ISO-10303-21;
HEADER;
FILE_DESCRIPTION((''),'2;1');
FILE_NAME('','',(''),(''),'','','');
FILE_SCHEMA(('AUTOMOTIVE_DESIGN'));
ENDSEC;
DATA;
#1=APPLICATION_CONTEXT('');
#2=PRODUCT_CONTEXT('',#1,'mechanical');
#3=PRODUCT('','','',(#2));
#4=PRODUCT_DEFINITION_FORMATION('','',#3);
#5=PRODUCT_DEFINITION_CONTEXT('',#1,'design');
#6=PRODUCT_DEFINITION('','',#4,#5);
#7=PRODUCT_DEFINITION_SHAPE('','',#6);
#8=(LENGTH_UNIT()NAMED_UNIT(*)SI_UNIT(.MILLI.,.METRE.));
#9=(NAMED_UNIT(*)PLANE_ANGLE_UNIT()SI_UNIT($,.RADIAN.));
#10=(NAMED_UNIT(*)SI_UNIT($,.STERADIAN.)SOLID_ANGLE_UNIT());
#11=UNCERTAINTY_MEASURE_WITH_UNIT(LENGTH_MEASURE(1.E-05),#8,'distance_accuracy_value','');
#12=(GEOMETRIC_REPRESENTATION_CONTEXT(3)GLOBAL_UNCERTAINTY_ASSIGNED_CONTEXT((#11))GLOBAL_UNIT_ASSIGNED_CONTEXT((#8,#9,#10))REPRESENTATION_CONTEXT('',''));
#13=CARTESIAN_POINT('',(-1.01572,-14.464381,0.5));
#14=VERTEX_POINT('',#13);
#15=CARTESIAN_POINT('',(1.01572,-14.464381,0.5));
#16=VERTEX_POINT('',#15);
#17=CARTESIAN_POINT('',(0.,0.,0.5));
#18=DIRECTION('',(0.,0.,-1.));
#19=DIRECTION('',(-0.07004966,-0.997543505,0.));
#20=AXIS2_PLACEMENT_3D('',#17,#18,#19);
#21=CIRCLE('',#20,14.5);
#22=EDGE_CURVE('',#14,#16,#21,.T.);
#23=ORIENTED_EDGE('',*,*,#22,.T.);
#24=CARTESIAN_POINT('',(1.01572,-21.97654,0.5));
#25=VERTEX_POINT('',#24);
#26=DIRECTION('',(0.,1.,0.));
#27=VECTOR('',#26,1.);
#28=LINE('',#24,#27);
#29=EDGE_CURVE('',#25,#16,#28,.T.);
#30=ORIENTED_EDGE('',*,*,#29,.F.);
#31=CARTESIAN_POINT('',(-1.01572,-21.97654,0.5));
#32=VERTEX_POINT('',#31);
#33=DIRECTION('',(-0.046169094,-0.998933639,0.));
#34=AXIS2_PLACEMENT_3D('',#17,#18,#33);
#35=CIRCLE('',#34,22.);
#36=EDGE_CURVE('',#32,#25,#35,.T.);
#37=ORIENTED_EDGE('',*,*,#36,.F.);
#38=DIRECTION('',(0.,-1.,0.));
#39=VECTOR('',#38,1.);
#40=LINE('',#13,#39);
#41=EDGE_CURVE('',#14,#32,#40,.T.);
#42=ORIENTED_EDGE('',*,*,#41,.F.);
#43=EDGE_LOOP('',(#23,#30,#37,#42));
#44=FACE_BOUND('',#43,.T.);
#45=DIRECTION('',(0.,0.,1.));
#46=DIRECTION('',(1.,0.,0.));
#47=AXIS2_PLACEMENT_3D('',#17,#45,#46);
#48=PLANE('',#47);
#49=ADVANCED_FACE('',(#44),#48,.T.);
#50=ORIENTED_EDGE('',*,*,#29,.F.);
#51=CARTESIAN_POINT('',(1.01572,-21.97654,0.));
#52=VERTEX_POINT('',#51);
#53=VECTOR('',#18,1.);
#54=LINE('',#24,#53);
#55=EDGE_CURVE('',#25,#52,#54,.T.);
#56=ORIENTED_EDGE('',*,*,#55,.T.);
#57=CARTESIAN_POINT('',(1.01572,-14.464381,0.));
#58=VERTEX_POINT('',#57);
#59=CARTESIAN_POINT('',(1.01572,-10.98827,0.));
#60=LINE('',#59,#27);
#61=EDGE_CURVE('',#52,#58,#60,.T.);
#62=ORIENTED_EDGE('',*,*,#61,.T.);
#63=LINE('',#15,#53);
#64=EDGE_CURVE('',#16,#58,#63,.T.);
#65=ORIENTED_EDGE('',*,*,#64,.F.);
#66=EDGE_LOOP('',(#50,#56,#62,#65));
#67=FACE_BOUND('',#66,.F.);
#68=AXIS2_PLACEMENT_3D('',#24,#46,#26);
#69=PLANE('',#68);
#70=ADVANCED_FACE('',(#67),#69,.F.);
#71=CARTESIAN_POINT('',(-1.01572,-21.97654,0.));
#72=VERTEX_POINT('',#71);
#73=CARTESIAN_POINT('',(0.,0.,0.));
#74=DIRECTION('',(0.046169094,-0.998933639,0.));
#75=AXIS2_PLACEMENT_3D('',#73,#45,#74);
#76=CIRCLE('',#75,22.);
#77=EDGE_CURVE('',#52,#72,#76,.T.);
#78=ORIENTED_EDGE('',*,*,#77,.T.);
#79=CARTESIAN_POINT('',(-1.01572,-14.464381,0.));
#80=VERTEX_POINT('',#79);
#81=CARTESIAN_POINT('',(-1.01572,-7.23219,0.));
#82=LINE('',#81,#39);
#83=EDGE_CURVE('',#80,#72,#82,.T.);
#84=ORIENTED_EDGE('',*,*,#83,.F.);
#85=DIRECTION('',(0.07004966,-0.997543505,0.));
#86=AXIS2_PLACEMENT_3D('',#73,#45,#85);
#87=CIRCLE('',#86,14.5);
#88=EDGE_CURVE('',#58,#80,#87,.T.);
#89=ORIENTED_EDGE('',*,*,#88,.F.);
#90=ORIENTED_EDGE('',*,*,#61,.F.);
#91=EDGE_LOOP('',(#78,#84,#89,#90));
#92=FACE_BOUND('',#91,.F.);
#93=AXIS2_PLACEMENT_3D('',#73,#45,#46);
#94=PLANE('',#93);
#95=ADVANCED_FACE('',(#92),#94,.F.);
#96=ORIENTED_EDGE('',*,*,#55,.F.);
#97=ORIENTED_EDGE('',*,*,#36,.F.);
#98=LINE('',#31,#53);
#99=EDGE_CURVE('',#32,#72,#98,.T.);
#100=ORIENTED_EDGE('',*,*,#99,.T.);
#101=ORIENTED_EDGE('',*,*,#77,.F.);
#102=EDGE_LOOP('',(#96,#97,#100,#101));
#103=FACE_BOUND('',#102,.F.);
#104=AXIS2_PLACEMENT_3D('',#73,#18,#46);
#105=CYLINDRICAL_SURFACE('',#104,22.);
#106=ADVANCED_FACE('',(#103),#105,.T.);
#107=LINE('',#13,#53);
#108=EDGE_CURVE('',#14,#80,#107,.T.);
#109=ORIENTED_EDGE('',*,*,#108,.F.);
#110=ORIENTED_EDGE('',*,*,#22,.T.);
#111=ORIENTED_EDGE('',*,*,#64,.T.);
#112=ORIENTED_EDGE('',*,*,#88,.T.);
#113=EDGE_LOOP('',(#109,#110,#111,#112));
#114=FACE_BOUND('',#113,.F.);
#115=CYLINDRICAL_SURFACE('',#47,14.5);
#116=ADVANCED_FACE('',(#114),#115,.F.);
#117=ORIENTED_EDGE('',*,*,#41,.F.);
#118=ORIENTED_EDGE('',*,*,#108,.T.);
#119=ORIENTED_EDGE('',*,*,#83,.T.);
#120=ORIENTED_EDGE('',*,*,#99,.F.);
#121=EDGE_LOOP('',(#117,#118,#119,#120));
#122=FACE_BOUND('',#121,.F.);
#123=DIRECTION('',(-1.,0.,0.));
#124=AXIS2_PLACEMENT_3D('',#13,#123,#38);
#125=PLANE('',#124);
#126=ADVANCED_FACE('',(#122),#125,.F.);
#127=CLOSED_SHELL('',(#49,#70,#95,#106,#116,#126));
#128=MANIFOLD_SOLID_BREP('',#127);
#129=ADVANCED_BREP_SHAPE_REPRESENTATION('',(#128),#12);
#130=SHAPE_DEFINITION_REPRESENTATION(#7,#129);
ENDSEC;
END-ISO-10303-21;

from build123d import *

# Parameters (mm, degrees)
F0_R     = 22
F1_DEPTH = 0.5
F2_R     = 14.5
F3_DEPTH = 25
F5_DEPTH = 25


with BuildPart() as f1:
    # F0 (on Top) → F1 (new body)
    with BuildSketch(Plane.XY):
        Circle(F0_R)
    extrude(amount=F1_DEPTH)

    # F2 (on face) → F3 (cut)
    with BuildSketch(Plane.XY.offset(0.5)):
        Circle(F2_R)
    extrude(amount=-F3_DEPTH, mode=Mode.SUBTRACT)

    # F4 (on face) → F5 (cut)
    with BuildSketch(Plane.XY.offset(0.5)):
        with BuildLine():
            ThreePointArc((-1.0157200741, -21.9765400537), (0, -22), (1.0157200741, -21.9765400537))
            Line((1.0157200741, -21.9765400537), (1.0157200741, -14.4643808278))
            ThreePointArc((1.0157200741, -14.4643808278), (0, -14.5), (-1.0157200741, -14.4643808278))
            Line((-1.0157200741, -14.4643808278), (-1.0157200741, -21.9765400537))
        make_face()
    extrude(amount=-F5_DEPTH, mode=Mode.SUBTRACT)


solid = f1.part
